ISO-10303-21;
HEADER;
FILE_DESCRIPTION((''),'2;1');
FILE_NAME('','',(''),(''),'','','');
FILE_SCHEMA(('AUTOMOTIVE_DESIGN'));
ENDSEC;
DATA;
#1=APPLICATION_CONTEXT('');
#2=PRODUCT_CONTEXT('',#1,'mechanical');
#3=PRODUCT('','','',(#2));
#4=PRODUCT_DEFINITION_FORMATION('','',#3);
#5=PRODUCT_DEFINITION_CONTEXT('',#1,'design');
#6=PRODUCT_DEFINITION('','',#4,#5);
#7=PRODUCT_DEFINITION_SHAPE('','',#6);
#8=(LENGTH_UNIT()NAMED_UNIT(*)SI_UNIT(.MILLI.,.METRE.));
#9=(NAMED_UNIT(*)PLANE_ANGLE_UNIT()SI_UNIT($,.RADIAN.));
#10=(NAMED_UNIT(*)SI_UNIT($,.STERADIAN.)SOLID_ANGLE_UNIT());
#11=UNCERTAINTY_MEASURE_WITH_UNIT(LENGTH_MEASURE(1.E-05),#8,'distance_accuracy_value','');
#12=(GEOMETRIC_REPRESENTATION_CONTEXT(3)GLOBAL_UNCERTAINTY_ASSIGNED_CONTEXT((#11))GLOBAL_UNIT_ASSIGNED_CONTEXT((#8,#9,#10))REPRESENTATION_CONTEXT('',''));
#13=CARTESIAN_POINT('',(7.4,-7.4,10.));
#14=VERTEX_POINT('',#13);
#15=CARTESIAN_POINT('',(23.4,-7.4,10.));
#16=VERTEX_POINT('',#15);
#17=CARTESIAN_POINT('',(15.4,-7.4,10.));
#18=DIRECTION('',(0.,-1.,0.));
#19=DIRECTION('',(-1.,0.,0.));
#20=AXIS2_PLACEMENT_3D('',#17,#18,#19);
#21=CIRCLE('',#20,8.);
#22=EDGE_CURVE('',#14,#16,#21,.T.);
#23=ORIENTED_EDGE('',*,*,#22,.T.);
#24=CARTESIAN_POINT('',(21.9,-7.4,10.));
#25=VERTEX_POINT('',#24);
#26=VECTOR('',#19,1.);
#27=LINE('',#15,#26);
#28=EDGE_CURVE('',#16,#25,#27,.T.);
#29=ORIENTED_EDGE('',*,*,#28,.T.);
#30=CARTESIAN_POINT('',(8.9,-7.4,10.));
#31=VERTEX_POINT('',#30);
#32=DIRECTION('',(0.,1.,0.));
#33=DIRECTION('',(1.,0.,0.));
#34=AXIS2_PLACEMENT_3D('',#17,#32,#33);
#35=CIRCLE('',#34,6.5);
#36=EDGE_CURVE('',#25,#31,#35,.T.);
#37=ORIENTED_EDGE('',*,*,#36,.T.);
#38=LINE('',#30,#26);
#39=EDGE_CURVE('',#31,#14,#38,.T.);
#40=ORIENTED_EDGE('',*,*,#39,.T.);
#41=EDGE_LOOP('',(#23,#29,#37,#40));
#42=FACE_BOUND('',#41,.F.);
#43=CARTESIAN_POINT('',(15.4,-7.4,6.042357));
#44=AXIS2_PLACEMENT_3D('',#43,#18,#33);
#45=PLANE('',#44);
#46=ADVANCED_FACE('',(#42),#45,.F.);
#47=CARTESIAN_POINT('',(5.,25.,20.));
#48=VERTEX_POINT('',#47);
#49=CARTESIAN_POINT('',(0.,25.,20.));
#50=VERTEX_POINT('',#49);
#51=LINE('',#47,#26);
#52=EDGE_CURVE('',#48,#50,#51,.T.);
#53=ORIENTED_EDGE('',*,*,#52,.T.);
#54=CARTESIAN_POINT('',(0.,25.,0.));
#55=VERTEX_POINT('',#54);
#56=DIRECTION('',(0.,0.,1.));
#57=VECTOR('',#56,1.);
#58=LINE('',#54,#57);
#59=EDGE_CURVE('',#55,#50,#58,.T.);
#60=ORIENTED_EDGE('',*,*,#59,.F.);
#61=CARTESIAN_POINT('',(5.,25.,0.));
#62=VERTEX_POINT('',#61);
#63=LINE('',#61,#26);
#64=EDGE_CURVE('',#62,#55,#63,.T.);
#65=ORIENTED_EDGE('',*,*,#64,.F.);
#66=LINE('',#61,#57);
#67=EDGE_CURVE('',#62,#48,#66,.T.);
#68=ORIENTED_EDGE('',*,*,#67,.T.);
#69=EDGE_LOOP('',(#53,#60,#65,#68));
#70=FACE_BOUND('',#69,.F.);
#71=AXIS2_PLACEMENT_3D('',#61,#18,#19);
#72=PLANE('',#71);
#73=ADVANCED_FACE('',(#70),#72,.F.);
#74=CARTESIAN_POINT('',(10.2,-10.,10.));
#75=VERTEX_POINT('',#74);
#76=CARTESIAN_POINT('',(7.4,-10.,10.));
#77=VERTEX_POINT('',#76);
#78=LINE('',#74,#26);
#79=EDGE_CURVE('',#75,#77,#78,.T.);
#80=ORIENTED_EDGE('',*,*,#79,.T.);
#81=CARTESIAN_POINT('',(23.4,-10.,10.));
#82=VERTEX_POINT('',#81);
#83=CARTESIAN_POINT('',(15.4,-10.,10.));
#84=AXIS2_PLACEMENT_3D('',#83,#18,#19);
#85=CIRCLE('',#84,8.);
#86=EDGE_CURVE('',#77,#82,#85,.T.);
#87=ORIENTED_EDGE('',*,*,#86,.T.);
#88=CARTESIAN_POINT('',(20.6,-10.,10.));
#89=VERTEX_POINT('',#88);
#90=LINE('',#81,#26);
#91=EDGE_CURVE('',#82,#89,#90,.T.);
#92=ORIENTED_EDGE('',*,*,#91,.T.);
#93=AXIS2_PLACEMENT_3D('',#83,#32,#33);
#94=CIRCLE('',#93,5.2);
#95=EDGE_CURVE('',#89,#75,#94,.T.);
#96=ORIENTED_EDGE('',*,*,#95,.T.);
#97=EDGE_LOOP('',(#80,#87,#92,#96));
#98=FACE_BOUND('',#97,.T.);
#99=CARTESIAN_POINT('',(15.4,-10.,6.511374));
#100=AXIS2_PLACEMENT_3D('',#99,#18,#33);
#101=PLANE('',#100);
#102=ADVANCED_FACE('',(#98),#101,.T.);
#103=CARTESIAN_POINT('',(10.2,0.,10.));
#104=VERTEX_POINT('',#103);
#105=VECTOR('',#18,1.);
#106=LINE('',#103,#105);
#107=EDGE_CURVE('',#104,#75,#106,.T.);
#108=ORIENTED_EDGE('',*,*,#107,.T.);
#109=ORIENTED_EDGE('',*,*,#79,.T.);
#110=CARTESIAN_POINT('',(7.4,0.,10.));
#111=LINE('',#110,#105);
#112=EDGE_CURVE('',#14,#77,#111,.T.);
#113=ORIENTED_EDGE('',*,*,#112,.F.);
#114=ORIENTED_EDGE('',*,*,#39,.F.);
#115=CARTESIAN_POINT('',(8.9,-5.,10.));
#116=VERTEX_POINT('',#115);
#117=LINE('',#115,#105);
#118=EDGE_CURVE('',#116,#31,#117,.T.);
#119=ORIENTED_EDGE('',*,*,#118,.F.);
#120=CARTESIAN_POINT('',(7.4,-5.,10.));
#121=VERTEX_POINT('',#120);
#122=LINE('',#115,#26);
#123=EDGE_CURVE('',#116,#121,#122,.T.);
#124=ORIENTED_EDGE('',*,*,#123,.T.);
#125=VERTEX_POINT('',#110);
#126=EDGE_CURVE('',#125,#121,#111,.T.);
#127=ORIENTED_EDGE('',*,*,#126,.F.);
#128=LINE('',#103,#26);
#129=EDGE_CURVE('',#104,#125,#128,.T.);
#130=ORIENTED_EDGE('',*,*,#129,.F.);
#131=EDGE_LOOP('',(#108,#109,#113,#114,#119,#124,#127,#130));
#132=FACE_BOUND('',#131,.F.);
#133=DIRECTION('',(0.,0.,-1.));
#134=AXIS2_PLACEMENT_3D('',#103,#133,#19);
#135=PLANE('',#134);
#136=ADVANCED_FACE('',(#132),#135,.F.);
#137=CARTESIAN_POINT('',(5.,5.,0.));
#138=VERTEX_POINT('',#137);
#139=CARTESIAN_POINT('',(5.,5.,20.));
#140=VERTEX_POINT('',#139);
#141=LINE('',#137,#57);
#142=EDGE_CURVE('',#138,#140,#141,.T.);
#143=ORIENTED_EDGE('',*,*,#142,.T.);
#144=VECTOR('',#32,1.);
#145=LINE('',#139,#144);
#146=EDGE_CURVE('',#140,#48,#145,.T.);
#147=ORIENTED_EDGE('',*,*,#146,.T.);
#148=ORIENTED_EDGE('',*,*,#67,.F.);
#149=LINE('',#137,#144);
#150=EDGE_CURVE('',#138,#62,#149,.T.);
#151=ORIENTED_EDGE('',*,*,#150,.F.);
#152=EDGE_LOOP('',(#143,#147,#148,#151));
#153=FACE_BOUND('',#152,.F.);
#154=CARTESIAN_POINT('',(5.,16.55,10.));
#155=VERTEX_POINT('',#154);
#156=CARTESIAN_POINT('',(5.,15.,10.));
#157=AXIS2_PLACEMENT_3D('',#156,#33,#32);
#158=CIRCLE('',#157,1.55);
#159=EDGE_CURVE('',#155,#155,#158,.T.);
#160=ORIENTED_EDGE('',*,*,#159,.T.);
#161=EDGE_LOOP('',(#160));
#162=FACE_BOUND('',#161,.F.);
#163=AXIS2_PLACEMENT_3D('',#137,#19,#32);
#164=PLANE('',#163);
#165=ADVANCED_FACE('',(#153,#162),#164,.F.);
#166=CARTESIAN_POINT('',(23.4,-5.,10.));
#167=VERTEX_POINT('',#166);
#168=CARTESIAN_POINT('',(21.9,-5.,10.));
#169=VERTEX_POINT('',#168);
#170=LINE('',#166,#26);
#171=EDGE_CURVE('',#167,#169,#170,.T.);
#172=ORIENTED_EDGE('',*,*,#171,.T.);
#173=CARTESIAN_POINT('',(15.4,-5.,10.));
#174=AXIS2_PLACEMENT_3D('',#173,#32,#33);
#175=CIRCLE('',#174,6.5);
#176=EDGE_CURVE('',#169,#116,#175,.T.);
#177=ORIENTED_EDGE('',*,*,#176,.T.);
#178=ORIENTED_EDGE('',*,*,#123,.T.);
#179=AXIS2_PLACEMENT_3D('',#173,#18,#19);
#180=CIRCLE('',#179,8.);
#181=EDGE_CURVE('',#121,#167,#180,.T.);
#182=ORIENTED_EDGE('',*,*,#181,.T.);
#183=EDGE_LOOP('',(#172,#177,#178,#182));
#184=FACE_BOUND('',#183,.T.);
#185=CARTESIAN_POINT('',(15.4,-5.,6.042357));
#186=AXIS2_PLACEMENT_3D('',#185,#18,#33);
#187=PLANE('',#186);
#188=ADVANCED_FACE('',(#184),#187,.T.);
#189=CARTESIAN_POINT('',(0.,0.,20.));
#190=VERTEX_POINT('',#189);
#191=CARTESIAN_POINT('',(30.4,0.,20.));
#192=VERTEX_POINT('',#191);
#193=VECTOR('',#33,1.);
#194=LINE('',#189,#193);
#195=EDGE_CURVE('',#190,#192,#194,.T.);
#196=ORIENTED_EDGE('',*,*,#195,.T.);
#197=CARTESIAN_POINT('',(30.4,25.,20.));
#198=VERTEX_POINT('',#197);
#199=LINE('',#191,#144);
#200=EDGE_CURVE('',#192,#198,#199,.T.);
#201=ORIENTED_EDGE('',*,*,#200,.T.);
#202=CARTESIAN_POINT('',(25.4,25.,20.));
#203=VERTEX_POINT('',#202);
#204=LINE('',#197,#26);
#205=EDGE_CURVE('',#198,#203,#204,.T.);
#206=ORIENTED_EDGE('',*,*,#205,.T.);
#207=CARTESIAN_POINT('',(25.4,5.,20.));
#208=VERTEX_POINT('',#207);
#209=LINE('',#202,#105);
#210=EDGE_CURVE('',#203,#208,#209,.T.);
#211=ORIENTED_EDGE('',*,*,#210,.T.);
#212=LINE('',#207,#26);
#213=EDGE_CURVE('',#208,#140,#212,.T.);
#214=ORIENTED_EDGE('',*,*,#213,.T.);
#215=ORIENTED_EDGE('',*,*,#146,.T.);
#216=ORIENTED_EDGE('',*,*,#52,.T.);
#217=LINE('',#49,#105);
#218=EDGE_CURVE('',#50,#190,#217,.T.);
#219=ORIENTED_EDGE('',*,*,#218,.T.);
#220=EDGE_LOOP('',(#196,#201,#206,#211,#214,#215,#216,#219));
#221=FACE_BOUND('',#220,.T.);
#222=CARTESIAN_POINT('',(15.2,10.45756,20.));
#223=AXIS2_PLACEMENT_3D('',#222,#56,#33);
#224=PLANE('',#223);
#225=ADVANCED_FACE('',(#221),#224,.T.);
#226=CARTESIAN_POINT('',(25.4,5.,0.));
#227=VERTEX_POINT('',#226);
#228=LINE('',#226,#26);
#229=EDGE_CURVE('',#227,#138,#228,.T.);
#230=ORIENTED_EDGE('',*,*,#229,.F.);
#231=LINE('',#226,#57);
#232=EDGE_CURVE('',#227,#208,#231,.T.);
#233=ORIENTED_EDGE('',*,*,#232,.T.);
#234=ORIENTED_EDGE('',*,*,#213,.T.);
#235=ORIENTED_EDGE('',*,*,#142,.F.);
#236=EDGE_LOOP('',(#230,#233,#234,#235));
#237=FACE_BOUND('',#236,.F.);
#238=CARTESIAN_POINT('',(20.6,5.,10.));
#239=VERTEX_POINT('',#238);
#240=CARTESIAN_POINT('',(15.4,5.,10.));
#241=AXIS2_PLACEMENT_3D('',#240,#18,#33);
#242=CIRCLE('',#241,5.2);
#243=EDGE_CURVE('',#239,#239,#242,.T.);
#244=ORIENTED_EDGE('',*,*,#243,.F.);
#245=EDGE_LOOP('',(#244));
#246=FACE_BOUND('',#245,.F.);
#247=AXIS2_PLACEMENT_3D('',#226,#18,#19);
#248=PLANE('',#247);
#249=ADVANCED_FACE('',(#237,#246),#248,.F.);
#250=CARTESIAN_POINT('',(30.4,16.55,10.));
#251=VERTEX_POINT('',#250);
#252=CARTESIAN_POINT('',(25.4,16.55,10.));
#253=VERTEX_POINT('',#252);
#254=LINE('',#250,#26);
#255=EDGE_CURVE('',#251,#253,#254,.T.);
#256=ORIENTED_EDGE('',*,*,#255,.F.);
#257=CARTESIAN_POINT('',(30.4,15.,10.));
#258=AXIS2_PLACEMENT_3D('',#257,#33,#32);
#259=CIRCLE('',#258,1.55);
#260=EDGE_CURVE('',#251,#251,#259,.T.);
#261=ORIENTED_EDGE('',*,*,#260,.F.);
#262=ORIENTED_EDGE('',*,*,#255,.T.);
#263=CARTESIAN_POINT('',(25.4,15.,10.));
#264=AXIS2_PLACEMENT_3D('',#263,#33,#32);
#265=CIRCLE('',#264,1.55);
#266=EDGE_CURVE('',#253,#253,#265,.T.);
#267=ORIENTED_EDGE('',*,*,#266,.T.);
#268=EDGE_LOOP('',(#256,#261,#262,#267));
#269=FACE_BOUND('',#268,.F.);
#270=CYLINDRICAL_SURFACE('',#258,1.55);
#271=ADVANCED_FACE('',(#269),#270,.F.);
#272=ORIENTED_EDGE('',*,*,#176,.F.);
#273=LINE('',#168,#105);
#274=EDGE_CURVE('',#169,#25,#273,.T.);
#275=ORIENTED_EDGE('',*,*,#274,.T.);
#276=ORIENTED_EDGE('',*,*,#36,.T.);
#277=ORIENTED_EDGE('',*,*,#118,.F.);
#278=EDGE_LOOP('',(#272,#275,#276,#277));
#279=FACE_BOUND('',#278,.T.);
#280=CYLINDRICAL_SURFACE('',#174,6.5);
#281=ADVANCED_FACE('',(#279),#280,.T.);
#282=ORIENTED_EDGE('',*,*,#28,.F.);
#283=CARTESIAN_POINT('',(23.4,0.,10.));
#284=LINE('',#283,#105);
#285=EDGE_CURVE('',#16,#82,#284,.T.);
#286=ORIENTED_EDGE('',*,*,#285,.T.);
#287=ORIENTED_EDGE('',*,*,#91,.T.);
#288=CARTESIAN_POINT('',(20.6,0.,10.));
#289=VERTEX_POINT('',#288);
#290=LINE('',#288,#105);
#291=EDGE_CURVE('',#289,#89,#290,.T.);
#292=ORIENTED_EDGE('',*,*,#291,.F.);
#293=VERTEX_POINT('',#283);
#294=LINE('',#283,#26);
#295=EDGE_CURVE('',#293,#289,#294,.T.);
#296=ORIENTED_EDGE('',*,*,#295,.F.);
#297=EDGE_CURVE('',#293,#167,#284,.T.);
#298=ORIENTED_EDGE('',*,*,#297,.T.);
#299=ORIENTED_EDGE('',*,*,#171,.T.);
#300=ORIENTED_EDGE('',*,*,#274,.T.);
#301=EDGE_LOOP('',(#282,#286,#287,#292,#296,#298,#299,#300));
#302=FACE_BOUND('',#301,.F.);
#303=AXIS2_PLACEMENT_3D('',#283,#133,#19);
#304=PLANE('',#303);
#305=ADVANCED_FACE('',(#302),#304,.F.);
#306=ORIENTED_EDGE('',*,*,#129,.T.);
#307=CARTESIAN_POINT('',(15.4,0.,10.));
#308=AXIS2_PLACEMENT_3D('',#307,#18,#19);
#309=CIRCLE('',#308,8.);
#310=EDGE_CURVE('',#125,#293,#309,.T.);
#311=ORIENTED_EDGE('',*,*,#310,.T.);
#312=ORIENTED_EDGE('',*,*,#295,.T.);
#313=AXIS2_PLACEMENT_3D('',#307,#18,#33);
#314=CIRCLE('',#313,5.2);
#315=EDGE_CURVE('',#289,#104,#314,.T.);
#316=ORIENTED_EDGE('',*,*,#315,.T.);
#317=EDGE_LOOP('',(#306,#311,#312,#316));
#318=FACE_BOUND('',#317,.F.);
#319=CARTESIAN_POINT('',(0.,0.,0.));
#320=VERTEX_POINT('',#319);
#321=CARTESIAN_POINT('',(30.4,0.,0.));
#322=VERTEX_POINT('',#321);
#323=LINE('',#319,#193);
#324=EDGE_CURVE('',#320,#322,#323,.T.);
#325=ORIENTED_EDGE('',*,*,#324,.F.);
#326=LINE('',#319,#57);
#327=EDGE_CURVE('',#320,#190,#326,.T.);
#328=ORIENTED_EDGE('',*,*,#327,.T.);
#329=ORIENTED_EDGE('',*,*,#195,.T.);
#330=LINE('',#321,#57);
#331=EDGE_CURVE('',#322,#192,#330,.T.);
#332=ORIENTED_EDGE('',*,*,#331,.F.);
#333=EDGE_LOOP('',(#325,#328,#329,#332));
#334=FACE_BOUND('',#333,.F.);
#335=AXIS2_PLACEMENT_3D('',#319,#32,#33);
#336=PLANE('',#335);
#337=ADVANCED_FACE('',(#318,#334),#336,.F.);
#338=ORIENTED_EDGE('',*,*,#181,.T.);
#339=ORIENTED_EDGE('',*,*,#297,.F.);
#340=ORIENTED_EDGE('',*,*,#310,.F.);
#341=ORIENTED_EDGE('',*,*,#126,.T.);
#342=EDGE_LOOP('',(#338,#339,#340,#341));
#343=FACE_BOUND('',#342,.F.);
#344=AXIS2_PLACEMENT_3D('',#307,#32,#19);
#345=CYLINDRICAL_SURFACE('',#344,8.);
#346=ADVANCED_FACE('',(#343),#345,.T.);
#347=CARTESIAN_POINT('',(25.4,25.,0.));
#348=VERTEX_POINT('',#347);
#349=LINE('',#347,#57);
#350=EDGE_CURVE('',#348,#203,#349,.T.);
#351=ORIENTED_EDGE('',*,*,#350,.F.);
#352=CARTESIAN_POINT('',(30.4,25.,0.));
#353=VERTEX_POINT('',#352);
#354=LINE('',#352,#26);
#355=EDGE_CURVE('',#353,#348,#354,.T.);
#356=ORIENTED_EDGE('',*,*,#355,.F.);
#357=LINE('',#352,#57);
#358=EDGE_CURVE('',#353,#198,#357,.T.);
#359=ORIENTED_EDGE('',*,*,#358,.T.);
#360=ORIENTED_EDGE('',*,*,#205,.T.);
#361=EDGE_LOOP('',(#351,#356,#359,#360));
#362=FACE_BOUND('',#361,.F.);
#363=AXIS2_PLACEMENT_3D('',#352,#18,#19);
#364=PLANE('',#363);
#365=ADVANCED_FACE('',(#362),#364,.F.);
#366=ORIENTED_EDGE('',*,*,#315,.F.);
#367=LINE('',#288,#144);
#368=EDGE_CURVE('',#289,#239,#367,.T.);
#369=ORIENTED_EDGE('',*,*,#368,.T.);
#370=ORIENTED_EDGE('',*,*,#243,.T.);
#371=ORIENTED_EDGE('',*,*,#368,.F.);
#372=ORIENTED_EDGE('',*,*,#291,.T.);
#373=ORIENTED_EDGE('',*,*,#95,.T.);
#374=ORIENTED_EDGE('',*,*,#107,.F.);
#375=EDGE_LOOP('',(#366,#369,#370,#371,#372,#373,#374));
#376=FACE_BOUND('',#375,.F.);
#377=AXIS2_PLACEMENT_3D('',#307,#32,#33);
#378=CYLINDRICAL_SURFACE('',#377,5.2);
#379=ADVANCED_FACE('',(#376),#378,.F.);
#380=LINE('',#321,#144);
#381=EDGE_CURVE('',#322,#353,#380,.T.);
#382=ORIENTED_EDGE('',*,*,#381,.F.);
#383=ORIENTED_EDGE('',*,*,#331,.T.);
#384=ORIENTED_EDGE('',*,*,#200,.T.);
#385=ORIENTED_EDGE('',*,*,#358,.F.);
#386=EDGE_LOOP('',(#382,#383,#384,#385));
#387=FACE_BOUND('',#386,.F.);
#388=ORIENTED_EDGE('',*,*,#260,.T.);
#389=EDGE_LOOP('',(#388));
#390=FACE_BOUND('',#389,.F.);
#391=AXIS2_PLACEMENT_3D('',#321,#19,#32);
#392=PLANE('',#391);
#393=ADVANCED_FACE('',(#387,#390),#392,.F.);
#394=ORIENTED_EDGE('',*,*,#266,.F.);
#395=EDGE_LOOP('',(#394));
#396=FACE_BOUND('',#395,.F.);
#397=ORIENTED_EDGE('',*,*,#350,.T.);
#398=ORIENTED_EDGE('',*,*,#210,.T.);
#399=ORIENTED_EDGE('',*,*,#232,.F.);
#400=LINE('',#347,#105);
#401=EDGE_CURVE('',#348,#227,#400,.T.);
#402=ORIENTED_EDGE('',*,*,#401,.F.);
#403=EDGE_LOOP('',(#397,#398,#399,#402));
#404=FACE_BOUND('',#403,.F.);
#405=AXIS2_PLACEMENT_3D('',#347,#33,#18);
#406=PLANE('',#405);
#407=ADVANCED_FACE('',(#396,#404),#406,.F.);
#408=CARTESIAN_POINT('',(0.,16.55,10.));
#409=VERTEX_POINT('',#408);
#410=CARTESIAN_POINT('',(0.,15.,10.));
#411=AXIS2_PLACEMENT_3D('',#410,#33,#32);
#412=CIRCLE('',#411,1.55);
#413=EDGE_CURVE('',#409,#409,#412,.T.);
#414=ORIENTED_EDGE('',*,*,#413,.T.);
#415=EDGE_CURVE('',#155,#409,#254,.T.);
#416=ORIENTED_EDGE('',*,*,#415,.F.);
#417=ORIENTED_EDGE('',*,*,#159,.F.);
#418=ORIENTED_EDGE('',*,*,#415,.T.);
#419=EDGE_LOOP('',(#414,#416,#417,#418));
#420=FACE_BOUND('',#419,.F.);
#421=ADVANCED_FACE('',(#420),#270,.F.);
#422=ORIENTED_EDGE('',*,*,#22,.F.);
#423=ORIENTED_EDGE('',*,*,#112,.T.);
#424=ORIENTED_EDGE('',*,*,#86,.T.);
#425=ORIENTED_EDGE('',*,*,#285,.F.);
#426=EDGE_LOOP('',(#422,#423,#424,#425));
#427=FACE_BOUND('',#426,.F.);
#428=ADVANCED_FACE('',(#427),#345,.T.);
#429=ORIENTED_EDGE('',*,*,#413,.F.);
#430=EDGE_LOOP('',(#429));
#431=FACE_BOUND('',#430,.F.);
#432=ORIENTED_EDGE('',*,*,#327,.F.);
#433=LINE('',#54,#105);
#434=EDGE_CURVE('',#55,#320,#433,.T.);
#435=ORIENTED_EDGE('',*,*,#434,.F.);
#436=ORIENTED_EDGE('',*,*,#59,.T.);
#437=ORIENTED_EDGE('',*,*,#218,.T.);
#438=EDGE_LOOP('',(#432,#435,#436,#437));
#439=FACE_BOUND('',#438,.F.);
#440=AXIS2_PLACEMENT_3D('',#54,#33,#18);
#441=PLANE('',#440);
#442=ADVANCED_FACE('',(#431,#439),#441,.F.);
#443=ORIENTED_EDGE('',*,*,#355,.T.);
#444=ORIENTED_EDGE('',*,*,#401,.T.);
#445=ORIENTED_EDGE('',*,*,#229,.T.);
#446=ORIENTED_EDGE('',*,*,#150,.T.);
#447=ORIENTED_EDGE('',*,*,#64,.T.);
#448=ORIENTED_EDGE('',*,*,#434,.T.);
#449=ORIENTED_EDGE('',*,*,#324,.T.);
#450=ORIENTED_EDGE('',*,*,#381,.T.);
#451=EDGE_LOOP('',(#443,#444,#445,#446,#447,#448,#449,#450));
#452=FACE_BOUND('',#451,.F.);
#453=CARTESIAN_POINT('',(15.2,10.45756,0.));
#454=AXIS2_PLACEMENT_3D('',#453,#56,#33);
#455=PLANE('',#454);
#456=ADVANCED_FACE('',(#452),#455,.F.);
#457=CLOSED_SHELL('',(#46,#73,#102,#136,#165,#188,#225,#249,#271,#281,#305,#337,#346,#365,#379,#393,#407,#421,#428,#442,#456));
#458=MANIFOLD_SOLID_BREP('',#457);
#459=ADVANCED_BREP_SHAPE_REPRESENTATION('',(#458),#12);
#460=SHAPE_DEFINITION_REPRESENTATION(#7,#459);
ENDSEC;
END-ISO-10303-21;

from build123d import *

# Parameters (mm, degrees)
F1_DEPTH  = 20
F2_R      = 5.2
F3_DEPTH  = 25
F5_DEPTH  = 10
F8_DEPTH  = 2.4
F9_R      = 1.55
F10_DEPTH = 40


with BuildPart() as f1:
    # F0 (on Top) → F1 (new body)
    with BuildSketch(Plane.XY):
        Polygon((0, 25), (0, 0), (30.4, 0), (30.4, 25), (25.4, 25), (25.4, 5), (5, 5), (5, 25), align=None)
    extrude(amount=F1_DEPTH)

    # F2 (on face) → F3 (cut)
    with BuildSketch(Plane.XZ):
        with Locations((15.4, 10)):
            Circle(F2_R)
    extrude(amount=-F3_DEPTH, mode=Mode.SUBTRACT)

    # F4 (on face) → F5 (join)
    with BuildSketch(Plane.XZ):
        with BuildLine():
            Line((10.2, 10), (7.4, 10))
            ThreePointArc((7.4, 10), (15.4, 2), (23.4, 10))
            Line((23.4, 10), (20.6, 10))
            ThreePointArc((20.6, 10), (15.4, 4.8), (10.2, 10))
        make_face()
    extrude(amount=F5_DEPTH)

    # F7 (on offset) → F8 (cut)
    with BuildSketch(Plane.XZ.offset(5)):
        with BuildLine():
            Line((23.4, 10), (21.9, 10))
            ThreePointArc((21.9, 10), (15.4, 3.5), (8.9, 10))
            Line((8.9, 10), (7.4, 10))
            ThreePointArc((7.4, 10), (15.4, 2), (23.4, 10))
        make_face()
    extrude(amount=F8_DEPTH, mode=Mode.SUBTRACT)

    # F9 (on face) → F10 (cut)
    with BuildSketch(Plane.YZ.offset(30.4)):
        with Locations((15, 10)):
            Circle(F9_R)
    extrude(amount=-F10_DEPTH, mode=Mode.SUBTRACT)


solid = f1.part
